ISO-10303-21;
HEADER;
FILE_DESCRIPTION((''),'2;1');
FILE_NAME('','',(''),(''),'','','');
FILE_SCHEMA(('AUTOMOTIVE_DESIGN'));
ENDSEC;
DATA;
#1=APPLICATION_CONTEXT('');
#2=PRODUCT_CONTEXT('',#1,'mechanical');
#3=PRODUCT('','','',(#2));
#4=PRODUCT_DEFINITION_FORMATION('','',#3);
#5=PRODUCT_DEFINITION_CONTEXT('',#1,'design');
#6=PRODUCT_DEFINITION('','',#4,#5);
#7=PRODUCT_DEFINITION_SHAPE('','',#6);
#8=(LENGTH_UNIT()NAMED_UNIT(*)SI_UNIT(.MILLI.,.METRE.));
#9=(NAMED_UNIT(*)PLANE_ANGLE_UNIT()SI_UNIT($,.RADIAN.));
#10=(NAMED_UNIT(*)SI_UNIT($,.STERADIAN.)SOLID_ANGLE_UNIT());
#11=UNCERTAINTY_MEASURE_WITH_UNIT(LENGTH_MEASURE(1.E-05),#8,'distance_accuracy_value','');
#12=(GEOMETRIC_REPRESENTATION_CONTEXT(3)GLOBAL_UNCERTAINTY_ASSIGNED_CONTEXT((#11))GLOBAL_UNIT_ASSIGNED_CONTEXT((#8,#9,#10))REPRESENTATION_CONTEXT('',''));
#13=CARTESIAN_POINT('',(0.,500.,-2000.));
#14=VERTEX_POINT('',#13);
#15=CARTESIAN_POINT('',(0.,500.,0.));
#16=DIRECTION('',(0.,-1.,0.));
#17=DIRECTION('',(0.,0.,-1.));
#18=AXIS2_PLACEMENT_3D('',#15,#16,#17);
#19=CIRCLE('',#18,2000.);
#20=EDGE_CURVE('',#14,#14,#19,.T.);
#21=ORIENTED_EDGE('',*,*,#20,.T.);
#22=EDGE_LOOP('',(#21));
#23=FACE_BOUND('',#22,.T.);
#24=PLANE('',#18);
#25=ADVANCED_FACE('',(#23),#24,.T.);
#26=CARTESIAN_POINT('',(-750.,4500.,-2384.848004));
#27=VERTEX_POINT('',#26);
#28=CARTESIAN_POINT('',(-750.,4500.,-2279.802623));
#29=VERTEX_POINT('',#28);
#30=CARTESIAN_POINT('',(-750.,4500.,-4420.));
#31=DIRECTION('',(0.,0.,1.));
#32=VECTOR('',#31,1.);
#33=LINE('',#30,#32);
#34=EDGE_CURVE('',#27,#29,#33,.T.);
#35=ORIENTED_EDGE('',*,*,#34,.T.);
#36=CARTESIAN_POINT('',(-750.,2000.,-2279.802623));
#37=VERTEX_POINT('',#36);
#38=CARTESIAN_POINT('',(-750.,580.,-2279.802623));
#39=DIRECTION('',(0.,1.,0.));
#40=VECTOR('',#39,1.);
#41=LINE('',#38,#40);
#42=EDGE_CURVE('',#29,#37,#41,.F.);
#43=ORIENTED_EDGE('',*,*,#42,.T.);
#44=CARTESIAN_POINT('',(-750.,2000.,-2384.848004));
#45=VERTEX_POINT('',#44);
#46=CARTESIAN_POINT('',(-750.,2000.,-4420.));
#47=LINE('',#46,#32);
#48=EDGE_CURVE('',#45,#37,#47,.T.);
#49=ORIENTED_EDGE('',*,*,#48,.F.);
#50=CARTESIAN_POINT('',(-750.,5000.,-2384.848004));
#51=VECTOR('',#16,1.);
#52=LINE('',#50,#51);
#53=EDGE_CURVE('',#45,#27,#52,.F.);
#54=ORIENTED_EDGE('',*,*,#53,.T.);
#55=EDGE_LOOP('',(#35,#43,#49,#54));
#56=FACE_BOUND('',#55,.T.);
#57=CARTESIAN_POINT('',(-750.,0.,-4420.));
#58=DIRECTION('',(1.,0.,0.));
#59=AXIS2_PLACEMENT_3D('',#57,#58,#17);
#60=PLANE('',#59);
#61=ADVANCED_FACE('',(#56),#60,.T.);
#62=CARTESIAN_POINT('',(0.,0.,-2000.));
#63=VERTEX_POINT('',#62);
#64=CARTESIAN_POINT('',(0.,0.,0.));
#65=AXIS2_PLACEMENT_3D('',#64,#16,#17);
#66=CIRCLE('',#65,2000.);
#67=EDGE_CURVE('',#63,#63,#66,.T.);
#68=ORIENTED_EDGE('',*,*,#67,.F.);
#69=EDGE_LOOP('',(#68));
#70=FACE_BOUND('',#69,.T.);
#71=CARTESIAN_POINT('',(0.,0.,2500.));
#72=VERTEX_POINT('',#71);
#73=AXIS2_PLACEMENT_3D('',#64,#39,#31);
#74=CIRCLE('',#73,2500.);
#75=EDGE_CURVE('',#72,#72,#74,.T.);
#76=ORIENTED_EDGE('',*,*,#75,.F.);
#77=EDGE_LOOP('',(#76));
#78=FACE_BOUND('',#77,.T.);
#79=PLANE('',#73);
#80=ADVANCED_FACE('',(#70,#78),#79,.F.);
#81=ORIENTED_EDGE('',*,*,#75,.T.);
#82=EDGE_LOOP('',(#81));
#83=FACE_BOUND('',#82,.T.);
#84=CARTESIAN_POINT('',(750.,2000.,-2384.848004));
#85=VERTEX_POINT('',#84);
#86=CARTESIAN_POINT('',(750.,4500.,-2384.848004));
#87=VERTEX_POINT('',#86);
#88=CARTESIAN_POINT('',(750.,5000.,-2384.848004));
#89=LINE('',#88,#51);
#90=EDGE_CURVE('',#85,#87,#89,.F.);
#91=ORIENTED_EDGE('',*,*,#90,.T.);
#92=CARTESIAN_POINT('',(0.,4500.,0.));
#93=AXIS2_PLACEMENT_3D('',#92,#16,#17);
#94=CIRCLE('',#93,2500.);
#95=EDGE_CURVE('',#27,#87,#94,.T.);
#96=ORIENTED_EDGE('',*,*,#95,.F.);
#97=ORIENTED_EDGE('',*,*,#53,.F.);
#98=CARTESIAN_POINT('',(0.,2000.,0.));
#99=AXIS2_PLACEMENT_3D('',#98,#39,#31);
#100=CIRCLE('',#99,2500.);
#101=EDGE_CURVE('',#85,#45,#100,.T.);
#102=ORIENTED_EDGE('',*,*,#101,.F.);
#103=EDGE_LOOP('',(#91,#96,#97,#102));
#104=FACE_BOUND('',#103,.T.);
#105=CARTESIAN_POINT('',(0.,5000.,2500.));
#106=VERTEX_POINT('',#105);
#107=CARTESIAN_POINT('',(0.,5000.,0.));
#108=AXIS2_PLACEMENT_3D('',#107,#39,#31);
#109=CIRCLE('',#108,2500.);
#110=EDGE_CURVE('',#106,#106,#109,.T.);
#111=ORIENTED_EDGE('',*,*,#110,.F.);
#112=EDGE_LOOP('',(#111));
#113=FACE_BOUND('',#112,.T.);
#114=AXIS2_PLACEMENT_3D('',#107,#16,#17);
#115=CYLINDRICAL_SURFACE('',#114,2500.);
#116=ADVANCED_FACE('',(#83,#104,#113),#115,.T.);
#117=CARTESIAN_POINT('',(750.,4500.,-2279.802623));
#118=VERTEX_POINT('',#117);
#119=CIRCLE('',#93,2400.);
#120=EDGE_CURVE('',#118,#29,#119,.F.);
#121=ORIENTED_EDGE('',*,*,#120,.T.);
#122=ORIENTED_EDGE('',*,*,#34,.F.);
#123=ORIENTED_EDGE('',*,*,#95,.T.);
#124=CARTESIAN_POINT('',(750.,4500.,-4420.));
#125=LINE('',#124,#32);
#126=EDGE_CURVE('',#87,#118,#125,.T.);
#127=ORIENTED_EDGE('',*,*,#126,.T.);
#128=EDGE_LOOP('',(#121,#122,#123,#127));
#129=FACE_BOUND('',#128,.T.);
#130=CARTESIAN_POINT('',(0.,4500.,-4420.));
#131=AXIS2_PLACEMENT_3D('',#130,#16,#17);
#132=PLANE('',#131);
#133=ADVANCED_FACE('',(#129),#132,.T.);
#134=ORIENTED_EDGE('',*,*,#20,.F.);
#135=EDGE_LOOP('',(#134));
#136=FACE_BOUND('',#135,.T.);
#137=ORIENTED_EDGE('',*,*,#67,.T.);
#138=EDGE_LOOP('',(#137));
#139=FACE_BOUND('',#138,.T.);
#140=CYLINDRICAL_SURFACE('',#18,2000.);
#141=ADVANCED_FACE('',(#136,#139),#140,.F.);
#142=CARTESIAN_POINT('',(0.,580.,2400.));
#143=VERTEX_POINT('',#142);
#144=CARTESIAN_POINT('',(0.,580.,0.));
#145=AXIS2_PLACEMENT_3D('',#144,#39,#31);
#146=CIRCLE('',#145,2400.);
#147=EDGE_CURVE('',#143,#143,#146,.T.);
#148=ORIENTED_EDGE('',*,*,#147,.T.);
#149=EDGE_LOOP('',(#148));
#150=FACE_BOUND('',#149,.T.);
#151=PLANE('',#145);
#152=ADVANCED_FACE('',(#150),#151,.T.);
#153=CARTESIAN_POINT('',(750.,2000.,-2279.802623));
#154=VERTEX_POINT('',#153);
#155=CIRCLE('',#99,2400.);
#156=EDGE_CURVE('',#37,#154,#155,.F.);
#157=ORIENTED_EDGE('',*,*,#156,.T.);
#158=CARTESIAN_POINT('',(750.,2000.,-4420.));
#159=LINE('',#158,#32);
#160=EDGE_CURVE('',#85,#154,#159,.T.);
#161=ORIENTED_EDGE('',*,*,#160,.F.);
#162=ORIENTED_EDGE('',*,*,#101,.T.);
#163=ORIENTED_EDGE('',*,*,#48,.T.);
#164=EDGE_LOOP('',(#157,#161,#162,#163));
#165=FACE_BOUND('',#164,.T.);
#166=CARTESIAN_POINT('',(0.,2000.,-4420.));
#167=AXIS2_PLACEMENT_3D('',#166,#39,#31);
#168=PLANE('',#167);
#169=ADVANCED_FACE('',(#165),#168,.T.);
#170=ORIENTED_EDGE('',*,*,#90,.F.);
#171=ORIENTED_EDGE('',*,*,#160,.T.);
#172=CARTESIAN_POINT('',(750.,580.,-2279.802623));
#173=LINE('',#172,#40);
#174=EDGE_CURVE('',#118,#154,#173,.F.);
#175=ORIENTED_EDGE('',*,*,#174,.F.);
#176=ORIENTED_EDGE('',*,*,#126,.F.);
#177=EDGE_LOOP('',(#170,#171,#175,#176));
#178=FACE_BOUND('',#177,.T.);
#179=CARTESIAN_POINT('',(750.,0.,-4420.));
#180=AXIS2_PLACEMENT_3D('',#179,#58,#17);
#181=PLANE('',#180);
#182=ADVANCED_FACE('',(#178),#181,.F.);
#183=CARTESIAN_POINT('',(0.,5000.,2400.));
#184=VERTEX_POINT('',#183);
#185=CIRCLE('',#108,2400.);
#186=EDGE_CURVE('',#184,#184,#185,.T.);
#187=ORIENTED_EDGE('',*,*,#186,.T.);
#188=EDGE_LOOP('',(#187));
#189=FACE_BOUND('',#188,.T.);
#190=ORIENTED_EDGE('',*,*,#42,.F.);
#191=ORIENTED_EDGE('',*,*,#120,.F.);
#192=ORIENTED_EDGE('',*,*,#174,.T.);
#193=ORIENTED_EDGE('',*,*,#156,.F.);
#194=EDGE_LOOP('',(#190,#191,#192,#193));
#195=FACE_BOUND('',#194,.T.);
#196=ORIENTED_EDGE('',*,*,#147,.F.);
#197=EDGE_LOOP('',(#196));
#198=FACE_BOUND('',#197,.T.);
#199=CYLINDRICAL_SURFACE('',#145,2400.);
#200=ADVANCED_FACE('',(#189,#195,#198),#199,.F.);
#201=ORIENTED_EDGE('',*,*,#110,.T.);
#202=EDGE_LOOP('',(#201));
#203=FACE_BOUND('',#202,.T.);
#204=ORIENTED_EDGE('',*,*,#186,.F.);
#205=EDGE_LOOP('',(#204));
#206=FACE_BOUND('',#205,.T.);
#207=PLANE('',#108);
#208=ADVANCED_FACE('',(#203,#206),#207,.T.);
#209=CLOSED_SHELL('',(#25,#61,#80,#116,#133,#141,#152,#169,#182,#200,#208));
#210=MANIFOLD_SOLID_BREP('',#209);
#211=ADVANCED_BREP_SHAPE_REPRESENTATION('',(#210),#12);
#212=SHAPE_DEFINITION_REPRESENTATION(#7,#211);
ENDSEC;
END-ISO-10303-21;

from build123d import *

# Parameters (mm, degrees)
SKETCH1_R           = 2500
BOSS_EXTRUDE1_DEPTH = 5000
SKETCH2_R           = 2000
CUT_EXTRUDE1_DEPTH  = 500
SKETCH3_R           = 2400
CUT_EXTRUDE2_DEPTH  = 4420
SKETCH4_W           = 1500
SKETCH4_H           = 2500
CUT_EXTRUDE3_DEPTH  = 4420


with BuildPart() as part:
    # Sketch1 → Boss-Extrude1 (new body)
    with BuildSketch(Plane(origin=(0, 0, 0), x_dir=(1, 0, 0), z_dir=(0, 1, 0))):
        with Locations(Location((0, 0, 0), (0, 0, 270))):
            Circle(SKETCH1_R)
    extrude(amount=BOSS_EXTRUDE1_DEPTH)

    # Sketch2 → Cut-Extrude1 (cut)
    with BuildSketch(Plane.XZ):
        with Locations(Location((0, 0, 0), (0, 0, 270))):
            Circle(SKETCH2_R)
    extrude(amount=-CUT_EXTRUDE1_DEPTH, mode=Mode.SUBTRACT)

    # Sketch3 → Cut-Extrude2 (cut)
    with BuildSketch(Plane(origin=(0, 5000, 0), x_dir=(1, 0, 0), z_dir=(0, 1, 0))):
        with Locations(Location((0, 0, 0), (0, 0, 270))):
            Circle(SKETCH3_R)
    extrude(amount=-CUT_EXTRUDE2_DEPTH, mode=Mode.SUBTRACT)

    # Sketch4 → Cut-Extrude3 (cut)
    with BuildSketch(Plane.XY):
        with Locations((0, 3250)):
            Rectangle(SKETCH4_W, SKETCH4_H)
    extrude(amount=-CUT_EXTRUDE3_DEPTH, mode=Mode.SUBTRACT)


solid = part.part
